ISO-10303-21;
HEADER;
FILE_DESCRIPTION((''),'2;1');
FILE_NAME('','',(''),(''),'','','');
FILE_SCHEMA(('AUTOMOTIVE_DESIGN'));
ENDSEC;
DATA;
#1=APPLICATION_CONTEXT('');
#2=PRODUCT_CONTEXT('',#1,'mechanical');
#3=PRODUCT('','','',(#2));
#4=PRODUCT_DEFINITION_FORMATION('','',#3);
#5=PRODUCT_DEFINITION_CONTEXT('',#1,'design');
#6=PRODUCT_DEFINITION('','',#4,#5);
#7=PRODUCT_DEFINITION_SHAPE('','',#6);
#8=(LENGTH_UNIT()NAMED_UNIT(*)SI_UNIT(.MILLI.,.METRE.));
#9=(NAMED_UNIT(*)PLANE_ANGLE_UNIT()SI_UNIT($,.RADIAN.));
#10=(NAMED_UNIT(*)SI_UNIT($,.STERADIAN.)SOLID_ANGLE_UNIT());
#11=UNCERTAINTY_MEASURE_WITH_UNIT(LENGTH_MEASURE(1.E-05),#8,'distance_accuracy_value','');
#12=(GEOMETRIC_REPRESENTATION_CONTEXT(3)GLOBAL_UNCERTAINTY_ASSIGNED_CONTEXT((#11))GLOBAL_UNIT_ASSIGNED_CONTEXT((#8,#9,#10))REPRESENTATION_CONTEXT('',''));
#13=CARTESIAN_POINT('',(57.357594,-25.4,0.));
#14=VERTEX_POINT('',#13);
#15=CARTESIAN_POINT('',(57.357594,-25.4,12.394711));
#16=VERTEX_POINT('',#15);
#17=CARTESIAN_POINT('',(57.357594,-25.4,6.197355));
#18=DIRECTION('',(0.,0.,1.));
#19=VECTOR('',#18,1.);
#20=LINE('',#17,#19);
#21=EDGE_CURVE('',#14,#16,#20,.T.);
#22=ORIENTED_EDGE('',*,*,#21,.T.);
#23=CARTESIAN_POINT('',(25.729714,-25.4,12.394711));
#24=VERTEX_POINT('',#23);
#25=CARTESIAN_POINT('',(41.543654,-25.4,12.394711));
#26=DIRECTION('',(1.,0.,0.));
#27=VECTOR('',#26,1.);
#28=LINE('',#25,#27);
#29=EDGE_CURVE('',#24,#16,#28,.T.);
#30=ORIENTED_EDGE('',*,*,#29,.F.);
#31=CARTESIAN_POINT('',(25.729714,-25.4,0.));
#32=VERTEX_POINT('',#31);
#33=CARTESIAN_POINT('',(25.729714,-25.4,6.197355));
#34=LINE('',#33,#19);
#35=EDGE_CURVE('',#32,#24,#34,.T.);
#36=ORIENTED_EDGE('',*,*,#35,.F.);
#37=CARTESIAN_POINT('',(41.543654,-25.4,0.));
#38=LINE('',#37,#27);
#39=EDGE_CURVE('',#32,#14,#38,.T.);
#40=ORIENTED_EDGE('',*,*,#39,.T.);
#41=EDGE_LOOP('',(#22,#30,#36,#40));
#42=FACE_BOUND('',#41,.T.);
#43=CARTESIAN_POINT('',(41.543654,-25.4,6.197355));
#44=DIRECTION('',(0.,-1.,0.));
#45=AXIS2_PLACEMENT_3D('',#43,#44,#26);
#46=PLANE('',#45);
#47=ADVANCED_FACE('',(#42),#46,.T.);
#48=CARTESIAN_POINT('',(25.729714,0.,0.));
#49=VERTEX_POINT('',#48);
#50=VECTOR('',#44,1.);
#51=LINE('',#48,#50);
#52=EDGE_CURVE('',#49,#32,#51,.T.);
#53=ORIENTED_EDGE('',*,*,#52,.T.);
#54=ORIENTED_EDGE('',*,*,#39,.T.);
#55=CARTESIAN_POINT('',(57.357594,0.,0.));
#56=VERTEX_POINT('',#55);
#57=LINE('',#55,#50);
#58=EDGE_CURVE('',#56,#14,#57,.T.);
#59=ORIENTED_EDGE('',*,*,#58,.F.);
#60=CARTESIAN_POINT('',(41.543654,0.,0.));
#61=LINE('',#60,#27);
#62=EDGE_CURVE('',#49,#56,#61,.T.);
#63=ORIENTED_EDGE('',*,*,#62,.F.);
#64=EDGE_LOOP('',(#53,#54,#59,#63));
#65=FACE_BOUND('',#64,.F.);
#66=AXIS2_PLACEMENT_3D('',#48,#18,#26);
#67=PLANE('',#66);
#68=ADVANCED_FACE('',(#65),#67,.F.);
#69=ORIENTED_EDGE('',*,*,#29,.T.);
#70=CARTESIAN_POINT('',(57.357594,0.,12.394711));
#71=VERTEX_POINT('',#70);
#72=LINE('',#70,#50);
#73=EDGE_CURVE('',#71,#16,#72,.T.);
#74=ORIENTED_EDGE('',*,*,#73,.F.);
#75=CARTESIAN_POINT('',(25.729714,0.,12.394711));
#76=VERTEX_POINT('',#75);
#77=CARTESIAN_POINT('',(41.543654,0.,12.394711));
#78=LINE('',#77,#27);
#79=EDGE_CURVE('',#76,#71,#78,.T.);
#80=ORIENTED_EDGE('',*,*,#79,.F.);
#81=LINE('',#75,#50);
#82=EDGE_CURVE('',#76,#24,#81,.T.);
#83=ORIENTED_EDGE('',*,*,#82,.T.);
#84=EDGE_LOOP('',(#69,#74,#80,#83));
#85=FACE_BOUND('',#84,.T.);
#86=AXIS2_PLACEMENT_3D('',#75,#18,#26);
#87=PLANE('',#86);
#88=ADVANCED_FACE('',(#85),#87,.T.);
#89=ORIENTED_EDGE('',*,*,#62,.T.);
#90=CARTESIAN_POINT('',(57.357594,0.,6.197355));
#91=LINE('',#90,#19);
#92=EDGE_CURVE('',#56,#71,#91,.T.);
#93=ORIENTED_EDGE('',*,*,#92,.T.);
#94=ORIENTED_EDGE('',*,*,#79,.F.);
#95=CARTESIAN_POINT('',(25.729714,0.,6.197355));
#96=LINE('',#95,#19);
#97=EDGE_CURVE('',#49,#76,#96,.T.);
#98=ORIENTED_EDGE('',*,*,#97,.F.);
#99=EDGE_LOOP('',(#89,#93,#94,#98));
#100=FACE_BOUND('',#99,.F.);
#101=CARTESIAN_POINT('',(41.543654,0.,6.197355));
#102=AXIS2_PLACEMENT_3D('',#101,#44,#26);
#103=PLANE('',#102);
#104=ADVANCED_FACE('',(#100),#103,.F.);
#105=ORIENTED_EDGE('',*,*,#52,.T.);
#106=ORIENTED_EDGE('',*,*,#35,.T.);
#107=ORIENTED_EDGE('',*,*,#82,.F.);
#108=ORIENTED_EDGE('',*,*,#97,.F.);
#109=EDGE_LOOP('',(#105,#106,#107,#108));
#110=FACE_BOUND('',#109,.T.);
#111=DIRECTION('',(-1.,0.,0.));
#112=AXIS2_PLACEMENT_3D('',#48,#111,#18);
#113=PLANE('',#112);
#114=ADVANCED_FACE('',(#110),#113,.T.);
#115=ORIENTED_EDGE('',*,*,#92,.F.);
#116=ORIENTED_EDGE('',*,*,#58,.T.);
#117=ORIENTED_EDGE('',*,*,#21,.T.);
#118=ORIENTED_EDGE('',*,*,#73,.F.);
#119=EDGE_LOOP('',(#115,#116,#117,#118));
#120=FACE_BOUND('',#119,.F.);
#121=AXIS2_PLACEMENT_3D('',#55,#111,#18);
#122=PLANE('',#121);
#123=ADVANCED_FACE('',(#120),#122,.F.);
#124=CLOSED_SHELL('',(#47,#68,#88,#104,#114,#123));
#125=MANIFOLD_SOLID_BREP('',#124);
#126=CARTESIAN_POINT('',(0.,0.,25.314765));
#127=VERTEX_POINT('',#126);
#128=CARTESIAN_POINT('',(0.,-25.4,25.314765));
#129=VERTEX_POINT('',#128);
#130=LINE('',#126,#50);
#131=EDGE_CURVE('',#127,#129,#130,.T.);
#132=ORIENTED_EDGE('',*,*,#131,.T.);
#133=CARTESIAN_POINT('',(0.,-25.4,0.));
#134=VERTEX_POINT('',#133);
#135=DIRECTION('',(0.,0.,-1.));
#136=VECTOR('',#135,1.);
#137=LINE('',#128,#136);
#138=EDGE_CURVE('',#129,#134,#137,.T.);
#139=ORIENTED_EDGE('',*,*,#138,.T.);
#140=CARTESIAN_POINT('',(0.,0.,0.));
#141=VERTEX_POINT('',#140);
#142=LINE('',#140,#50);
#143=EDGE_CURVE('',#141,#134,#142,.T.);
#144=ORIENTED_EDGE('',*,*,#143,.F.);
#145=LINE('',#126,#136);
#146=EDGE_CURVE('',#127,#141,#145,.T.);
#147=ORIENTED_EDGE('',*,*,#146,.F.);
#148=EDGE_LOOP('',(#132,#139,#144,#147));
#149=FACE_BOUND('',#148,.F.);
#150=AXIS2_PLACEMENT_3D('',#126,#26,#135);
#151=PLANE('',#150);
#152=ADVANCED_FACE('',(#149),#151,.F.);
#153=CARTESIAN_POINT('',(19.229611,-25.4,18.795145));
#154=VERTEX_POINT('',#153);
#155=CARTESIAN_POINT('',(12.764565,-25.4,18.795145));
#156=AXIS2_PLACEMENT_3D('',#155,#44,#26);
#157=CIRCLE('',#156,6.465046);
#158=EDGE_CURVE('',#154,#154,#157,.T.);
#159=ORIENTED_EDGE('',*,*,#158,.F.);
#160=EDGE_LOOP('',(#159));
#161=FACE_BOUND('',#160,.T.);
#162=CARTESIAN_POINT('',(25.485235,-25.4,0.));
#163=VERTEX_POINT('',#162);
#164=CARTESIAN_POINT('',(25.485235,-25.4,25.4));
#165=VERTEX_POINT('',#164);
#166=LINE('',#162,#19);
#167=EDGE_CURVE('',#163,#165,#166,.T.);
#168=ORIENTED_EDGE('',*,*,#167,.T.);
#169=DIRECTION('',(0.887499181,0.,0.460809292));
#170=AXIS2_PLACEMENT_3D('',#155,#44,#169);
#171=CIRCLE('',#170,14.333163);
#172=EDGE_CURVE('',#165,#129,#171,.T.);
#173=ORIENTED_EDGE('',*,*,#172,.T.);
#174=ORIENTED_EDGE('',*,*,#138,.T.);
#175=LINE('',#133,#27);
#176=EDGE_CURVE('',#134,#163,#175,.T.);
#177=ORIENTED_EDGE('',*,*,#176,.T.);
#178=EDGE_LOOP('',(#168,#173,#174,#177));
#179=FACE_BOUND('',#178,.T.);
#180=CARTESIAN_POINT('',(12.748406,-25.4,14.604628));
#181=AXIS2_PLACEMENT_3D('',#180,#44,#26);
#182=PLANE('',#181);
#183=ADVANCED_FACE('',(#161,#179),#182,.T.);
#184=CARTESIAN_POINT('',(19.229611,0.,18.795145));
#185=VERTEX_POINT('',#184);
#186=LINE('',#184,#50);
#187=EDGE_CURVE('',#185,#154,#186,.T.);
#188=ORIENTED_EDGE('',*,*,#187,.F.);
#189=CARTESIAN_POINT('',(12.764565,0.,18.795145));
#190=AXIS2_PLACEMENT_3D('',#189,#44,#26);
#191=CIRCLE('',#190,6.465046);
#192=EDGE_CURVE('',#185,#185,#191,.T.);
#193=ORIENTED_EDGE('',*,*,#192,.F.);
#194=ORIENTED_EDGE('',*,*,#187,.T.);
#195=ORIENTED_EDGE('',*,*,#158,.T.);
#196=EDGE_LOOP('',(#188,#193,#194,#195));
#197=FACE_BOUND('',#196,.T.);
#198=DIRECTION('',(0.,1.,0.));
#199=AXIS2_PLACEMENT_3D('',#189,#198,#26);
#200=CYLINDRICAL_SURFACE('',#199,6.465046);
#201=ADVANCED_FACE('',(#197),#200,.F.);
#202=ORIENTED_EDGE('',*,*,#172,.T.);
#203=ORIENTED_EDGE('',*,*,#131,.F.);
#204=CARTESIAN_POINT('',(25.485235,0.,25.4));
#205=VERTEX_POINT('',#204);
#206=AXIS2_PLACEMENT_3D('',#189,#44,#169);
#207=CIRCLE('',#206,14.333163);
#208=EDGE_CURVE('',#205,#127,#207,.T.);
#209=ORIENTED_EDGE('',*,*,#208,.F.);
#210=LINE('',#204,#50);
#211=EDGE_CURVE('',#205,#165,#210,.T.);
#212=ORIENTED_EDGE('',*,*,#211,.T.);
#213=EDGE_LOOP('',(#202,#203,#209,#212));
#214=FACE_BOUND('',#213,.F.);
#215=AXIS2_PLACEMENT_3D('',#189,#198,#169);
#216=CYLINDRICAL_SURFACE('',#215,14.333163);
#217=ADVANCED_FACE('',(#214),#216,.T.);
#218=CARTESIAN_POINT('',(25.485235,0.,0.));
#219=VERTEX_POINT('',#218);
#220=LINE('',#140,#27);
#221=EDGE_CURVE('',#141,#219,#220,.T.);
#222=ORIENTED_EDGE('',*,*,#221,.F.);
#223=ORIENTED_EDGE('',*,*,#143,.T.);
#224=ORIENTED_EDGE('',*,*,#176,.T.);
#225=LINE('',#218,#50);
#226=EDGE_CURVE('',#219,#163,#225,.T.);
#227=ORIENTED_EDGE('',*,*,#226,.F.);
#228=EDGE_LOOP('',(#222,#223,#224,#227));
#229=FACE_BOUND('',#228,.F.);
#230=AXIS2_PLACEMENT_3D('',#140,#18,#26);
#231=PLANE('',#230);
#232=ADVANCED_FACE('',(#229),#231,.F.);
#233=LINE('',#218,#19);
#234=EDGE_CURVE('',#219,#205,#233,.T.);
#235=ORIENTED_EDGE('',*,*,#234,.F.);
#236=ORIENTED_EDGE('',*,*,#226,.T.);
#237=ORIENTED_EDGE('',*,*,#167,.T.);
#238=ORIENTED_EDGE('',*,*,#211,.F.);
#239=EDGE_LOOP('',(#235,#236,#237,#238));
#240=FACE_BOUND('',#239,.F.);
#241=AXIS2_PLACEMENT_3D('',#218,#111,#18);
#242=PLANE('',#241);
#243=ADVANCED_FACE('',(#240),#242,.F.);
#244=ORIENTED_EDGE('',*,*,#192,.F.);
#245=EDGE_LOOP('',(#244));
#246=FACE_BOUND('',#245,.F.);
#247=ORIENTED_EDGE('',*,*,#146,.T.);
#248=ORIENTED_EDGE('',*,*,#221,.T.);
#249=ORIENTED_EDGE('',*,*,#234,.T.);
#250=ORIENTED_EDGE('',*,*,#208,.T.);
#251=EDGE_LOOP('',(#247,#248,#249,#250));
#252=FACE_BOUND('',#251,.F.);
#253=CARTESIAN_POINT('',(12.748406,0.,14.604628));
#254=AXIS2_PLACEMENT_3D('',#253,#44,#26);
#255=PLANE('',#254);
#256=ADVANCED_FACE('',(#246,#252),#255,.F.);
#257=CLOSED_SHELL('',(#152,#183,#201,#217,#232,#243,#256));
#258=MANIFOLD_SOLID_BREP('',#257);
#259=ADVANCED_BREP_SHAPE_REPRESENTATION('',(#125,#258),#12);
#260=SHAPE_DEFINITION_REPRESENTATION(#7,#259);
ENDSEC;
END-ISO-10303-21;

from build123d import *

# Parameters (mm, degrees)
F0_R     = 6.465046
F1_DEPTH = 25.4
F2_W     = 31.62788
F2_H     = 12.394711
F3_DEPTH = 25.4


with BuildPart() as f1:
    # F0 (on Front) → F1 (new body)
    with BuildSketch(Plane.XZ):
        with BuildLine():
            Line((0, 25.314765), (0, 0))
            Line((0, 0), (25.485235, 0))
            Line((25.485235, 0), (25.485235, 12.7))
            Line((25.485235, 12.7), (25.485235, 25.4))
            ThreePointArc((25.485235, 25.4), (12.716628, 33.128228), (0, 25.314765))
        make_face()
        with Locations((12.764565, 18.795145)):
            Circle(F0_R, mode=Mode.SUBTRACT)
    extrude(amount=F1_DEPTH)


with BuildPart() as f3:
    # F2 (on Front) → F3 (new body)
    with BuildSketch(Plane.XZ):
        with Locations((41.543654, 6.197355)):
            Rectangle(F2_W, F2_H)
    extrude(amount=F3_DEPTH)


solid = Compound([f1.part, f3.part])
